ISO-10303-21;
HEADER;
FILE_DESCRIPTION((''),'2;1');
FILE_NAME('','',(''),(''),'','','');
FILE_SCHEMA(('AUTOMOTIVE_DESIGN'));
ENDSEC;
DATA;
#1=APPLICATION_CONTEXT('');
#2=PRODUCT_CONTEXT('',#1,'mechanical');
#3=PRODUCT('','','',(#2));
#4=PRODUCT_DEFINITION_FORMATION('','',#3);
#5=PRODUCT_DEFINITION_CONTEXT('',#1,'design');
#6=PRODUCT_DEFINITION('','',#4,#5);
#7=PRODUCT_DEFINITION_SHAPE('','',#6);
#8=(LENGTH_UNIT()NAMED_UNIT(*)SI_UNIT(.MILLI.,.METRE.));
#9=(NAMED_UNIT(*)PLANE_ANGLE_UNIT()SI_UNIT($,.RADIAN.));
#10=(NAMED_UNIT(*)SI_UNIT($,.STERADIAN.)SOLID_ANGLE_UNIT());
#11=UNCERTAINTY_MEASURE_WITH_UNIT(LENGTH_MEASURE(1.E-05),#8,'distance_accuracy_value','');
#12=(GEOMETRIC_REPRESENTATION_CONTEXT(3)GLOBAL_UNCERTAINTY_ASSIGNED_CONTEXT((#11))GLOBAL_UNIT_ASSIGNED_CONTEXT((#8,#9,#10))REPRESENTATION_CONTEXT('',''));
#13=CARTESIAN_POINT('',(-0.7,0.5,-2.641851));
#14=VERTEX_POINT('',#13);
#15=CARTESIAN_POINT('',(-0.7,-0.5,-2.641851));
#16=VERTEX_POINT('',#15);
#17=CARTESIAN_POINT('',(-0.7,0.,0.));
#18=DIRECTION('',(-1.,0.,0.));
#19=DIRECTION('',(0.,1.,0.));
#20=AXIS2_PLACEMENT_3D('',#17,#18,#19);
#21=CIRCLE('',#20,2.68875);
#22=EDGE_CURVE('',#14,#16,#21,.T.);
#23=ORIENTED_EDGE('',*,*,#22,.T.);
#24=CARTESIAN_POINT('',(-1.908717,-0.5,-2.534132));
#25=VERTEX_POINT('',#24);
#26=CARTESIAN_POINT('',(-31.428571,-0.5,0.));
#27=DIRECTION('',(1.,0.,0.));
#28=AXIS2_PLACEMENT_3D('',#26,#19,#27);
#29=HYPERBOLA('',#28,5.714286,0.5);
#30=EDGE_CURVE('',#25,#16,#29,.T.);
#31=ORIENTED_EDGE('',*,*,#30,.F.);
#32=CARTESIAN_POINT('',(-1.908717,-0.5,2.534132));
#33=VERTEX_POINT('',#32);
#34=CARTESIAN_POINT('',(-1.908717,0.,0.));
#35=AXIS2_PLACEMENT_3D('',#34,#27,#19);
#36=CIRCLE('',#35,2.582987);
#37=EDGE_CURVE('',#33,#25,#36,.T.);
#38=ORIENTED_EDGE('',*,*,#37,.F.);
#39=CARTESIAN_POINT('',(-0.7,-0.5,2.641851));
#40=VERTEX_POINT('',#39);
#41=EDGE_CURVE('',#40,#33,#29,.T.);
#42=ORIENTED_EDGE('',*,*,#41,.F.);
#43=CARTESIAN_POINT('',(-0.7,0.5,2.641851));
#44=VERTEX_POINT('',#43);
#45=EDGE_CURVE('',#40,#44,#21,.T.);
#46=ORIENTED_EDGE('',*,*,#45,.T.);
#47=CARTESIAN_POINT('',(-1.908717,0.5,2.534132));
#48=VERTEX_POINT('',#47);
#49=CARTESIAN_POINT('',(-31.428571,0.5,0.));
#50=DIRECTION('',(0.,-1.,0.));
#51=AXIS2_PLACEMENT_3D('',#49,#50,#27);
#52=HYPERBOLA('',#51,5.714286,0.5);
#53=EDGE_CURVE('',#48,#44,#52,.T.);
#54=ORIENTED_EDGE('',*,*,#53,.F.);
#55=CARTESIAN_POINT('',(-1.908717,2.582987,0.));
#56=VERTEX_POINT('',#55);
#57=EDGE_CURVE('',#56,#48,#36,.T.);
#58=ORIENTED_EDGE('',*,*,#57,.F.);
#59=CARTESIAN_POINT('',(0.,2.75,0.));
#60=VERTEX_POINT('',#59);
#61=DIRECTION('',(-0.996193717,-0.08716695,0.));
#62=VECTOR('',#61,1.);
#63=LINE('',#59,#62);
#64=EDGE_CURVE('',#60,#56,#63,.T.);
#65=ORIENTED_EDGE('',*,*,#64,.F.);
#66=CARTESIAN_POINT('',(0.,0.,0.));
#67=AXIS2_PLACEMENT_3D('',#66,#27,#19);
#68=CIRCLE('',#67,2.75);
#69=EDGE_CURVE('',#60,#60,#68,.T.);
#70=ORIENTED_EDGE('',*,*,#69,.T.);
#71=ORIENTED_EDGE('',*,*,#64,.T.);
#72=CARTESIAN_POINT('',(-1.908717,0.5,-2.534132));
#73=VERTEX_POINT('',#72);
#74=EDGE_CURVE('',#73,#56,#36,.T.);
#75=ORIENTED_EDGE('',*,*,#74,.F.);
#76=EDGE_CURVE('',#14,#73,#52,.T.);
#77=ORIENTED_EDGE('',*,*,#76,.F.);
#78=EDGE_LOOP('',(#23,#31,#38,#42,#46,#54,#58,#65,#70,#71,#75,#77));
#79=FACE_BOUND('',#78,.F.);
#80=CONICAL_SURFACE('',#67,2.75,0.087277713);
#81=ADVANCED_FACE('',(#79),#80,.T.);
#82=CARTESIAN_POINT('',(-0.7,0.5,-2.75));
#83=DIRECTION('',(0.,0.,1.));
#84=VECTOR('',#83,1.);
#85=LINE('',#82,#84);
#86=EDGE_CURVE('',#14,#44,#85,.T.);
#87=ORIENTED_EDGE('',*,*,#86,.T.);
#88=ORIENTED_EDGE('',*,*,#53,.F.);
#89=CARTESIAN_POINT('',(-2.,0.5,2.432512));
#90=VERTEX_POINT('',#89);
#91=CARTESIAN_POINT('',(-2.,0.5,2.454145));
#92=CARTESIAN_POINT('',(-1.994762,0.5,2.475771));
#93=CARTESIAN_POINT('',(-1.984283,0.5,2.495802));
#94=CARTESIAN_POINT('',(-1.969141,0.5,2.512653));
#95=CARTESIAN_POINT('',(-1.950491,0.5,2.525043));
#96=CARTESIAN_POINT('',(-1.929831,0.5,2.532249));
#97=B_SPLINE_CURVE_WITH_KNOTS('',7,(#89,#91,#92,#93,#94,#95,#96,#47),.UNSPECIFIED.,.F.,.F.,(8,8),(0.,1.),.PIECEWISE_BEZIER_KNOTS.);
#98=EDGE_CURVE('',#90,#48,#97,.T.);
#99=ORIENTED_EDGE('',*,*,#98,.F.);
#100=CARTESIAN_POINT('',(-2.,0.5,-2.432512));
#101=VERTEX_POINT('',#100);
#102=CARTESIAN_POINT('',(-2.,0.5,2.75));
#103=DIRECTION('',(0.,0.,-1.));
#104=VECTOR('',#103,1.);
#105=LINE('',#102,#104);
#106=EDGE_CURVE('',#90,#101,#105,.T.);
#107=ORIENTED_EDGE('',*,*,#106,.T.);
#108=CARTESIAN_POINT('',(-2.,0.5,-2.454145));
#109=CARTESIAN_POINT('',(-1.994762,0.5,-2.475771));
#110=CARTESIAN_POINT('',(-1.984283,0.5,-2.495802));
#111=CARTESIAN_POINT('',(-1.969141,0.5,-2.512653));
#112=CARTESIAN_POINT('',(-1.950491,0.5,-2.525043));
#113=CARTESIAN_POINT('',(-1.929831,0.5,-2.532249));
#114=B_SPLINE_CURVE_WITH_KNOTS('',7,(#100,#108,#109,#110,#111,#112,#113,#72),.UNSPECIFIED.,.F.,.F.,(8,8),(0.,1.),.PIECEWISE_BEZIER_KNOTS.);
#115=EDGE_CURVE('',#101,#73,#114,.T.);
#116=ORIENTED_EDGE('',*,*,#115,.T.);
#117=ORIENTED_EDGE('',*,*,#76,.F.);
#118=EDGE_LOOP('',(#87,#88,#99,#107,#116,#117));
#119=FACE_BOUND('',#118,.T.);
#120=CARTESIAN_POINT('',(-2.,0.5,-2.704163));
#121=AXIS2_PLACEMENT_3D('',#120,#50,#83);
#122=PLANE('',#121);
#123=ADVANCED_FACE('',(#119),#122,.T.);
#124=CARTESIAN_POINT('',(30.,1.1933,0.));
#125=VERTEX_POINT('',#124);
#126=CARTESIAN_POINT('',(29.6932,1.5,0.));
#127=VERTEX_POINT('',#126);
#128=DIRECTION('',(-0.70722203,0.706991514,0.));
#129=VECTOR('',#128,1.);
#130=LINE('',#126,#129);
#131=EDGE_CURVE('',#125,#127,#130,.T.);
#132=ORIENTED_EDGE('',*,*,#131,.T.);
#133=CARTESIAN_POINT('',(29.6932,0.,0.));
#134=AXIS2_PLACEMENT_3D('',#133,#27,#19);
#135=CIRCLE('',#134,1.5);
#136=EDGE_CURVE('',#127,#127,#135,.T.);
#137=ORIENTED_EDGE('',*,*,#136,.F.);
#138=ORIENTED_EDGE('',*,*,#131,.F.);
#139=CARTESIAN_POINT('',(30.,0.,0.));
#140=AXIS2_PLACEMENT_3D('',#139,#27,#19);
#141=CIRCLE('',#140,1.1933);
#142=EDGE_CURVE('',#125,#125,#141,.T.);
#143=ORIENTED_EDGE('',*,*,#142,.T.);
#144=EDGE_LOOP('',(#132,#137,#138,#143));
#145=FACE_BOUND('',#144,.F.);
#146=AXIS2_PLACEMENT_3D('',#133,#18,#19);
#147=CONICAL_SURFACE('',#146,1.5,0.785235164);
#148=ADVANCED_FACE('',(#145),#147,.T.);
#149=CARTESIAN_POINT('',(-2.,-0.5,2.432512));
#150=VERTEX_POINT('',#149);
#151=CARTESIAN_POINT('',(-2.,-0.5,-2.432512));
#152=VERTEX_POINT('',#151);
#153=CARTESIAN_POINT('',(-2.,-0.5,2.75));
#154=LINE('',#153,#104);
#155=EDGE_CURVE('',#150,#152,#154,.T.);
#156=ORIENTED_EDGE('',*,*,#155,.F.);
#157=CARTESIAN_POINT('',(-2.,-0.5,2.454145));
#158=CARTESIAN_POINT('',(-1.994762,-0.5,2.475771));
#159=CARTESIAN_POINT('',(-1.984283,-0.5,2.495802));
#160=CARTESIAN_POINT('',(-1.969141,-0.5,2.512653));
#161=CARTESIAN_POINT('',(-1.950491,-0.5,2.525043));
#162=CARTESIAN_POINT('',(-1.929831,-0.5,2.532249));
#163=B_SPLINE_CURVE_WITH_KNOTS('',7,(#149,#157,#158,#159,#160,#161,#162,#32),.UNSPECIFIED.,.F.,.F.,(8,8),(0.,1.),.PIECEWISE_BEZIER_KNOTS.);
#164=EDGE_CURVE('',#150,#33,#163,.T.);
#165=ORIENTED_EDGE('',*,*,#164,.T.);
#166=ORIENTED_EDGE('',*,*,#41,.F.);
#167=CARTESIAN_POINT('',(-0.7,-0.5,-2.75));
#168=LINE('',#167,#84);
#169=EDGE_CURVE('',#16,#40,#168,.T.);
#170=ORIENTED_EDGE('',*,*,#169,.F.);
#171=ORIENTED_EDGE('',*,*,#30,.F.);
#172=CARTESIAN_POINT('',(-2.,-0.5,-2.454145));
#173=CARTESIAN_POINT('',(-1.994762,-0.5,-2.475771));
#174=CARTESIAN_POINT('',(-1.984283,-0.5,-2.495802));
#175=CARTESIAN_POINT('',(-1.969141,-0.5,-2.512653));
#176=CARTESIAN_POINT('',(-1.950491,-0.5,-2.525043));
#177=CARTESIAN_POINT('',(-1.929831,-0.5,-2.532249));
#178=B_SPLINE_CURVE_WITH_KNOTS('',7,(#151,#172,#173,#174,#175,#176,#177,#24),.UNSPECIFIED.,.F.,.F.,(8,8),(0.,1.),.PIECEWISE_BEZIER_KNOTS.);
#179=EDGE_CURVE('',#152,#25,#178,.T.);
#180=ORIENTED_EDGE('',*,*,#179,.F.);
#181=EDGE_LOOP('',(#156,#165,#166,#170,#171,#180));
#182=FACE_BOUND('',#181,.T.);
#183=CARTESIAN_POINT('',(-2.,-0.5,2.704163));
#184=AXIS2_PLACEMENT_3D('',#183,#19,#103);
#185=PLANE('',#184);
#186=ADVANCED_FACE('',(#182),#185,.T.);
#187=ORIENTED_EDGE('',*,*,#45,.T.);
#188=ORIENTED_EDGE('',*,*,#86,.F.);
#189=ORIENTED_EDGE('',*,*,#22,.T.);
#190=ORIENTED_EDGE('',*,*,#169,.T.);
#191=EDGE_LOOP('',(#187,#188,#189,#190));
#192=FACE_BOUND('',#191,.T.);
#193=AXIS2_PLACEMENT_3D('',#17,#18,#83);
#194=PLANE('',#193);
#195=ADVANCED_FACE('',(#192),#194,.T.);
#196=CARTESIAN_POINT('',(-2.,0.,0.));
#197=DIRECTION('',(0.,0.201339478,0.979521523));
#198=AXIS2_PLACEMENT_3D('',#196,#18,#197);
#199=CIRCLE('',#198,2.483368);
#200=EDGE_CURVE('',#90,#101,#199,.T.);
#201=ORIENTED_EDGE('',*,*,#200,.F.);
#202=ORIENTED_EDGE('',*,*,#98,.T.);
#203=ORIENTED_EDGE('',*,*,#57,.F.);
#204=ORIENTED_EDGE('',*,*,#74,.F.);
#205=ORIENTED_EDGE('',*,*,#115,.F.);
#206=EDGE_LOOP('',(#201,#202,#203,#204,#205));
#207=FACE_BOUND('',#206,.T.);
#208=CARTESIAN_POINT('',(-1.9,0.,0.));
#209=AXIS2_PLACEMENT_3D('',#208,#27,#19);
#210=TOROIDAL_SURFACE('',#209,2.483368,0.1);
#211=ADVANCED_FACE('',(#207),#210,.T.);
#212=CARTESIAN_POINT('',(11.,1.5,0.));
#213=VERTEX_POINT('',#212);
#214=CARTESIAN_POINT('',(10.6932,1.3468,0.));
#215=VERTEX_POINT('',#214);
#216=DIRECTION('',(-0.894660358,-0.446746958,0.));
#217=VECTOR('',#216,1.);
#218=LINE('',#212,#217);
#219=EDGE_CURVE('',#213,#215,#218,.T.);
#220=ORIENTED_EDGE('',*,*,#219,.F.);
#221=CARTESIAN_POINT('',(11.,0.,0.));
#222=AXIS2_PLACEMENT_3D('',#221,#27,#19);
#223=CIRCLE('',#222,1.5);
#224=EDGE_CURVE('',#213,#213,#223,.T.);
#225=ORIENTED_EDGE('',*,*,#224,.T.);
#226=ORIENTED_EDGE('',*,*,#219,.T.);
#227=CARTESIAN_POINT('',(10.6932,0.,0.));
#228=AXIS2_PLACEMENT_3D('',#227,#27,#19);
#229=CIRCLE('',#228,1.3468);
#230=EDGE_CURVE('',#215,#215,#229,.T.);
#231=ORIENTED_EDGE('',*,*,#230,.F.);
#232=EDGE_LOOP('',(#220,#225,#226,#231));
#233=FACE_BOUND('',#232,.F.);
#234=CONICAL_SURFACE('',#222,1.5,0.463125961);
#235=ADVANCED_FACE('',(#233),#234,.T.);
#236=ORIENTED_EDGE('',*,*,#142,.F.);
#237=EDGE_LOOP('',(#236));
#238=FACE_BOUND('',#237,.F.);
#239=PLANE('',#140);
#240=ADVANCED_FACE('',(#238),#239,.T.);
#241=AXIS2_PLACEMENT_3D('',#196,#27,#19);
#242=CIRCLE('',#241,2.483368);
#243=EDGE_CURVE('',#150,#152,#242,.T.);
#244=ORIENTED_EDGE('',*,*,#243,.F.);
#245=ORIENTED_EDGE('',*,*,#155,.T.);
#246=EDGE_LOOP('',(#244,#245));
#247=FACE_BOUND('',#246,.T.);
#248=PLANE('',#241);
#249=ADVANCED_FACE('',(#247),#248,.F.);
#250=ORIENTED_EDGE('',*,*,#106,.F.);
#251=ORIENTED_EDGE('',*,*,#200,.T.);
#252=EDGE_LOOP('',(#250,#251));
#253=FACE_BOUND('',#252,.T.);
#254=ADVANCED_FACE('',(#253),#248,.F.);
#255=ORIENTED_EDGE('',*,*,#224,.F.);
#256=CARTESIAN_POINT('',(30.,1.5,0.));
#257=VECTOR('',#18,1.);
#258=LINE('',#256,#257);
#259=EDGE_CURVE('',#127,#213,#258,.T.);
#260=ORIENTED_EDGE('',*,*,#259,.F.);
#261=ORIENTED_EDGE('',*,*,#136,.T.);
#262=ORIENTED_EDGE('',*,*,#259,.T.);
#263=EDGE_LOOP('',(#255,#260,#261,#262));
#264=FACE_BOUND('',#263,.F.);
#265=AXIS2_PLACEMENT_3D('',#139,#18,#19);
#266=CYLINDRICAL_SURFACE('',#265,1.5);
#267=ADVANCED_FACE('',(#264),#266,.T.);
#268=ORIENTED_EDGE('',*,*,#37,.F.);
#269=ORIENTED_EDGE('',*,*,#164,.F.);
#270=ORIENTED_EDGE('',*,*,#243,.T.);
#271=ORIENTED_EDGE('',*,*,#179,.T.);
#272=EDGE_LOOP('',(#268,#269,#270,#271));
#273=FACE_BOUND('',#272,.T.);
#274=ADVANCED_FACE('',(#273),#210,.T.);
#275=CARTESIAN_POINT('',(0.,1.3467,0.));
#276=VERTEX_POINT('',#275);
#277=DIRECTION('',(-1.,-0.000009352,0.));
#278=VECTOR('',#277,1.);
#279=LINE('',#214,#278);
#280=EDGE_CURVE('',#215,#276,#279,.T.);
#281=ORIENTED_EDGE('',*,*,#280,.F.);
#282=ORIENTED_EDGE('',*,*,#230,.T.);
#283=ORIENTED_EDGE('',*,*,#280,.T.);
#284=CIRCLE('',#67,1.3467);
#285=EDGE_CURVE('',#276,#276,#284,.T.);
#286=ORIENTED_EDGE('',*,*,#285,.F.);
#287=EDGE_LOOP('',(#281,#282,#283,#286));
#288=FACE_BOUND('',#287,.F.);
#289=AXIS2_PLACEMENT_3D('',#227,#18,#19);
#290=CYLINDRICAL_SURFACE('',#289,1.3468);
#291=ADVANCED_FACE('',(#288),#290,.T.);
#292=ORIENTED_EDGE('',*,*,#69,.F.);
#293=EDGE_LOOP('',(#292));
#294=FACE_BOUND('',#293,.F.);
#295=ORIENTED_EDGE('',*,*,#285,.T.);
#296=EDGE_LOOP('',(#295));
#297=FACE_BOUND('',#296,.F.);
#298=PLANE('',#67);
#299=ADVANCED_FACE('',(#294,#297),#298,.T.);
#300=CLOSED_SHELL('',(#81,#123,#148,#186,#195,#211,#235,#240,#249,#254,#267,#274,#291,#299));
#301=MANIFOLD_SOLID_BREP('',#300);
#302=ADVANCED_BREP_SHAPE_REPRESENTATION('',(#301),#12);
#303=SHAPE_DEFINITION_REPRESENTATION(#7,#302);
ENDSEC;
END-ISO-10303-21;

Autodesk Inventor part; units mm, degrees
ref_plane "YZ Plane" through (0, 0, 0) normal (1, 0, 0) x (0, 1, 0)
ref_plane "XZ Plane" through (0, 0, 0) normal (0, 1, 0) x (-1, 0, 0)
sketch "Esquisse1" plane through (0, 0, 0) normal (0, 0, 1) x (1, 0, 0)
  line L0 (-2, 0) -> (30, 0)
  line L1 (30, 0) -> (30, 1.5)
  line L2 (30, 1.5) -> (11, 1.5)
  line L3 (11, 1.5) -> (10.6932, 1.3468)
  line L4 (10.6932, 1.3468) -> (0, 1.3467)
  line L5 (0, 1.3467) -> (0, 2.75)
  line L6 (-8.4, 0) -> (36.4, 0) projected
  line L7 (0, -0.55) -> (0, 3.3) projected
  line L8 (-2, 0) -> (-2, 2.575)
  line L9 (0, 2.75) -> (-2, 2.575)
  line L10 (11, 1.5) -> (0, 1.5) construction
  dimension "d0" = 30
  dimension "d1" = 19
  dimension "d2" = 0.3068
  dimension "d3" = 2
  dimension "d4" = 3
  dimension "d5" = 2.6935
  dimension "d9" = 5.5
  dimension "d10" = 5
revolve "Corps" add sketch "Esquisse1" angle 360 about axis through (-2, 0, 0) along (1, 0, 0)
sketch "Esquisse2" plane through (-2, 0, 0) normal (-1, 0, 0) x (0, 0, 1)
  circle A0 centre (0, 0) radius 2.75 projected
  line L0 (0, 0) -> (0, 2.575) projected
  line L1 (-2.75, 0.5) -> (2.75, 0.5)
  line L2 (2.75, 0.5) -> (2.75, -0.5)
  line L3 (2.75, -0.5) -> (-2.75, -0.5)
  line L4 (-2.75, -0.5) -> (-2.75, 0.5)
  line L5 (-2.75, 0) -> (2.75, 0) construction
  line L6 (0, 0.5) -> (0, -0.5) construction
  dimension "d11" = 1
  dimension "d12" = 5.5
fillet "Congé1" radius 0.1 1 edges at (-2, -2.575, 0)
extrude "Rainure" cut sketch "Esquisse2" against normal blind 1.3 contours A0 L3 L1 | L2 L3 A0 | A0 L1 L2 | A0 L4 L1 | L3 L4 A0
thread "Filetage" size "M3x0.5" class "6g" standard "ISO Metric profile" length 19
chamfer "Chanfrein1" distance 0.3067 distance2 0.3068 1 edges at (30, -1.5, 0) measured on face at (30, 0.3888, 0.4512)
ref_plane "Work Plane1" through (30.1625, 0, 0) normal (0, 0, -1) x (1, 0, 0)
equation "\"d11\" = SBR"
equation "\"d12\" = KOD"
equation "\"d14\" = RR"
equation "\"d19\" = STI"
equation "\"d15\" = GEL"
equation "\"d17\" = -0.5 * SPD + 0.5 * GD"
equation "\"d0\" = NLG"
equation "\"d1\" = GEL"
equation "\"d3\" = KOH"
equation "\"d4\" = GD"
equation "\"d5\" = BDM"
equation "\"d9\" = KOD"
equation "\"d10\" = KEWI"
equation "\"GD\" = NND"
equation "\"NLG\" = 30"
equation "\"GEL\" = 19"
equation "\"KOD\" = 5.5"
equation "\"KOH\" = 2"
equation "\"GAL\" = 0.61345 * PTC"
equation "\"SPD\" = NND - 1.2269 * PTC"
equation "\"BDM\" = 2.6935"
equation "\"GUL\" = 0.61345 * PTC"
equation "\"RR\" = 0.1"
equation "\"SBR\" = 1"
equation "\"STI\" = 1.3"
equation "\"KEWI\" = 5deg"
equation "\"PTC\" = 0.5"
equation "\"THREADDIA\" = 3"
equation "\"TOA\" = 30deg"
equation "\"NND\" = 3"
equation "\"GD1\" = THREADDIA - 1.2269 * PTC"
properties part number "BS 4183 - M3 x 30" material "Acier, doux"
